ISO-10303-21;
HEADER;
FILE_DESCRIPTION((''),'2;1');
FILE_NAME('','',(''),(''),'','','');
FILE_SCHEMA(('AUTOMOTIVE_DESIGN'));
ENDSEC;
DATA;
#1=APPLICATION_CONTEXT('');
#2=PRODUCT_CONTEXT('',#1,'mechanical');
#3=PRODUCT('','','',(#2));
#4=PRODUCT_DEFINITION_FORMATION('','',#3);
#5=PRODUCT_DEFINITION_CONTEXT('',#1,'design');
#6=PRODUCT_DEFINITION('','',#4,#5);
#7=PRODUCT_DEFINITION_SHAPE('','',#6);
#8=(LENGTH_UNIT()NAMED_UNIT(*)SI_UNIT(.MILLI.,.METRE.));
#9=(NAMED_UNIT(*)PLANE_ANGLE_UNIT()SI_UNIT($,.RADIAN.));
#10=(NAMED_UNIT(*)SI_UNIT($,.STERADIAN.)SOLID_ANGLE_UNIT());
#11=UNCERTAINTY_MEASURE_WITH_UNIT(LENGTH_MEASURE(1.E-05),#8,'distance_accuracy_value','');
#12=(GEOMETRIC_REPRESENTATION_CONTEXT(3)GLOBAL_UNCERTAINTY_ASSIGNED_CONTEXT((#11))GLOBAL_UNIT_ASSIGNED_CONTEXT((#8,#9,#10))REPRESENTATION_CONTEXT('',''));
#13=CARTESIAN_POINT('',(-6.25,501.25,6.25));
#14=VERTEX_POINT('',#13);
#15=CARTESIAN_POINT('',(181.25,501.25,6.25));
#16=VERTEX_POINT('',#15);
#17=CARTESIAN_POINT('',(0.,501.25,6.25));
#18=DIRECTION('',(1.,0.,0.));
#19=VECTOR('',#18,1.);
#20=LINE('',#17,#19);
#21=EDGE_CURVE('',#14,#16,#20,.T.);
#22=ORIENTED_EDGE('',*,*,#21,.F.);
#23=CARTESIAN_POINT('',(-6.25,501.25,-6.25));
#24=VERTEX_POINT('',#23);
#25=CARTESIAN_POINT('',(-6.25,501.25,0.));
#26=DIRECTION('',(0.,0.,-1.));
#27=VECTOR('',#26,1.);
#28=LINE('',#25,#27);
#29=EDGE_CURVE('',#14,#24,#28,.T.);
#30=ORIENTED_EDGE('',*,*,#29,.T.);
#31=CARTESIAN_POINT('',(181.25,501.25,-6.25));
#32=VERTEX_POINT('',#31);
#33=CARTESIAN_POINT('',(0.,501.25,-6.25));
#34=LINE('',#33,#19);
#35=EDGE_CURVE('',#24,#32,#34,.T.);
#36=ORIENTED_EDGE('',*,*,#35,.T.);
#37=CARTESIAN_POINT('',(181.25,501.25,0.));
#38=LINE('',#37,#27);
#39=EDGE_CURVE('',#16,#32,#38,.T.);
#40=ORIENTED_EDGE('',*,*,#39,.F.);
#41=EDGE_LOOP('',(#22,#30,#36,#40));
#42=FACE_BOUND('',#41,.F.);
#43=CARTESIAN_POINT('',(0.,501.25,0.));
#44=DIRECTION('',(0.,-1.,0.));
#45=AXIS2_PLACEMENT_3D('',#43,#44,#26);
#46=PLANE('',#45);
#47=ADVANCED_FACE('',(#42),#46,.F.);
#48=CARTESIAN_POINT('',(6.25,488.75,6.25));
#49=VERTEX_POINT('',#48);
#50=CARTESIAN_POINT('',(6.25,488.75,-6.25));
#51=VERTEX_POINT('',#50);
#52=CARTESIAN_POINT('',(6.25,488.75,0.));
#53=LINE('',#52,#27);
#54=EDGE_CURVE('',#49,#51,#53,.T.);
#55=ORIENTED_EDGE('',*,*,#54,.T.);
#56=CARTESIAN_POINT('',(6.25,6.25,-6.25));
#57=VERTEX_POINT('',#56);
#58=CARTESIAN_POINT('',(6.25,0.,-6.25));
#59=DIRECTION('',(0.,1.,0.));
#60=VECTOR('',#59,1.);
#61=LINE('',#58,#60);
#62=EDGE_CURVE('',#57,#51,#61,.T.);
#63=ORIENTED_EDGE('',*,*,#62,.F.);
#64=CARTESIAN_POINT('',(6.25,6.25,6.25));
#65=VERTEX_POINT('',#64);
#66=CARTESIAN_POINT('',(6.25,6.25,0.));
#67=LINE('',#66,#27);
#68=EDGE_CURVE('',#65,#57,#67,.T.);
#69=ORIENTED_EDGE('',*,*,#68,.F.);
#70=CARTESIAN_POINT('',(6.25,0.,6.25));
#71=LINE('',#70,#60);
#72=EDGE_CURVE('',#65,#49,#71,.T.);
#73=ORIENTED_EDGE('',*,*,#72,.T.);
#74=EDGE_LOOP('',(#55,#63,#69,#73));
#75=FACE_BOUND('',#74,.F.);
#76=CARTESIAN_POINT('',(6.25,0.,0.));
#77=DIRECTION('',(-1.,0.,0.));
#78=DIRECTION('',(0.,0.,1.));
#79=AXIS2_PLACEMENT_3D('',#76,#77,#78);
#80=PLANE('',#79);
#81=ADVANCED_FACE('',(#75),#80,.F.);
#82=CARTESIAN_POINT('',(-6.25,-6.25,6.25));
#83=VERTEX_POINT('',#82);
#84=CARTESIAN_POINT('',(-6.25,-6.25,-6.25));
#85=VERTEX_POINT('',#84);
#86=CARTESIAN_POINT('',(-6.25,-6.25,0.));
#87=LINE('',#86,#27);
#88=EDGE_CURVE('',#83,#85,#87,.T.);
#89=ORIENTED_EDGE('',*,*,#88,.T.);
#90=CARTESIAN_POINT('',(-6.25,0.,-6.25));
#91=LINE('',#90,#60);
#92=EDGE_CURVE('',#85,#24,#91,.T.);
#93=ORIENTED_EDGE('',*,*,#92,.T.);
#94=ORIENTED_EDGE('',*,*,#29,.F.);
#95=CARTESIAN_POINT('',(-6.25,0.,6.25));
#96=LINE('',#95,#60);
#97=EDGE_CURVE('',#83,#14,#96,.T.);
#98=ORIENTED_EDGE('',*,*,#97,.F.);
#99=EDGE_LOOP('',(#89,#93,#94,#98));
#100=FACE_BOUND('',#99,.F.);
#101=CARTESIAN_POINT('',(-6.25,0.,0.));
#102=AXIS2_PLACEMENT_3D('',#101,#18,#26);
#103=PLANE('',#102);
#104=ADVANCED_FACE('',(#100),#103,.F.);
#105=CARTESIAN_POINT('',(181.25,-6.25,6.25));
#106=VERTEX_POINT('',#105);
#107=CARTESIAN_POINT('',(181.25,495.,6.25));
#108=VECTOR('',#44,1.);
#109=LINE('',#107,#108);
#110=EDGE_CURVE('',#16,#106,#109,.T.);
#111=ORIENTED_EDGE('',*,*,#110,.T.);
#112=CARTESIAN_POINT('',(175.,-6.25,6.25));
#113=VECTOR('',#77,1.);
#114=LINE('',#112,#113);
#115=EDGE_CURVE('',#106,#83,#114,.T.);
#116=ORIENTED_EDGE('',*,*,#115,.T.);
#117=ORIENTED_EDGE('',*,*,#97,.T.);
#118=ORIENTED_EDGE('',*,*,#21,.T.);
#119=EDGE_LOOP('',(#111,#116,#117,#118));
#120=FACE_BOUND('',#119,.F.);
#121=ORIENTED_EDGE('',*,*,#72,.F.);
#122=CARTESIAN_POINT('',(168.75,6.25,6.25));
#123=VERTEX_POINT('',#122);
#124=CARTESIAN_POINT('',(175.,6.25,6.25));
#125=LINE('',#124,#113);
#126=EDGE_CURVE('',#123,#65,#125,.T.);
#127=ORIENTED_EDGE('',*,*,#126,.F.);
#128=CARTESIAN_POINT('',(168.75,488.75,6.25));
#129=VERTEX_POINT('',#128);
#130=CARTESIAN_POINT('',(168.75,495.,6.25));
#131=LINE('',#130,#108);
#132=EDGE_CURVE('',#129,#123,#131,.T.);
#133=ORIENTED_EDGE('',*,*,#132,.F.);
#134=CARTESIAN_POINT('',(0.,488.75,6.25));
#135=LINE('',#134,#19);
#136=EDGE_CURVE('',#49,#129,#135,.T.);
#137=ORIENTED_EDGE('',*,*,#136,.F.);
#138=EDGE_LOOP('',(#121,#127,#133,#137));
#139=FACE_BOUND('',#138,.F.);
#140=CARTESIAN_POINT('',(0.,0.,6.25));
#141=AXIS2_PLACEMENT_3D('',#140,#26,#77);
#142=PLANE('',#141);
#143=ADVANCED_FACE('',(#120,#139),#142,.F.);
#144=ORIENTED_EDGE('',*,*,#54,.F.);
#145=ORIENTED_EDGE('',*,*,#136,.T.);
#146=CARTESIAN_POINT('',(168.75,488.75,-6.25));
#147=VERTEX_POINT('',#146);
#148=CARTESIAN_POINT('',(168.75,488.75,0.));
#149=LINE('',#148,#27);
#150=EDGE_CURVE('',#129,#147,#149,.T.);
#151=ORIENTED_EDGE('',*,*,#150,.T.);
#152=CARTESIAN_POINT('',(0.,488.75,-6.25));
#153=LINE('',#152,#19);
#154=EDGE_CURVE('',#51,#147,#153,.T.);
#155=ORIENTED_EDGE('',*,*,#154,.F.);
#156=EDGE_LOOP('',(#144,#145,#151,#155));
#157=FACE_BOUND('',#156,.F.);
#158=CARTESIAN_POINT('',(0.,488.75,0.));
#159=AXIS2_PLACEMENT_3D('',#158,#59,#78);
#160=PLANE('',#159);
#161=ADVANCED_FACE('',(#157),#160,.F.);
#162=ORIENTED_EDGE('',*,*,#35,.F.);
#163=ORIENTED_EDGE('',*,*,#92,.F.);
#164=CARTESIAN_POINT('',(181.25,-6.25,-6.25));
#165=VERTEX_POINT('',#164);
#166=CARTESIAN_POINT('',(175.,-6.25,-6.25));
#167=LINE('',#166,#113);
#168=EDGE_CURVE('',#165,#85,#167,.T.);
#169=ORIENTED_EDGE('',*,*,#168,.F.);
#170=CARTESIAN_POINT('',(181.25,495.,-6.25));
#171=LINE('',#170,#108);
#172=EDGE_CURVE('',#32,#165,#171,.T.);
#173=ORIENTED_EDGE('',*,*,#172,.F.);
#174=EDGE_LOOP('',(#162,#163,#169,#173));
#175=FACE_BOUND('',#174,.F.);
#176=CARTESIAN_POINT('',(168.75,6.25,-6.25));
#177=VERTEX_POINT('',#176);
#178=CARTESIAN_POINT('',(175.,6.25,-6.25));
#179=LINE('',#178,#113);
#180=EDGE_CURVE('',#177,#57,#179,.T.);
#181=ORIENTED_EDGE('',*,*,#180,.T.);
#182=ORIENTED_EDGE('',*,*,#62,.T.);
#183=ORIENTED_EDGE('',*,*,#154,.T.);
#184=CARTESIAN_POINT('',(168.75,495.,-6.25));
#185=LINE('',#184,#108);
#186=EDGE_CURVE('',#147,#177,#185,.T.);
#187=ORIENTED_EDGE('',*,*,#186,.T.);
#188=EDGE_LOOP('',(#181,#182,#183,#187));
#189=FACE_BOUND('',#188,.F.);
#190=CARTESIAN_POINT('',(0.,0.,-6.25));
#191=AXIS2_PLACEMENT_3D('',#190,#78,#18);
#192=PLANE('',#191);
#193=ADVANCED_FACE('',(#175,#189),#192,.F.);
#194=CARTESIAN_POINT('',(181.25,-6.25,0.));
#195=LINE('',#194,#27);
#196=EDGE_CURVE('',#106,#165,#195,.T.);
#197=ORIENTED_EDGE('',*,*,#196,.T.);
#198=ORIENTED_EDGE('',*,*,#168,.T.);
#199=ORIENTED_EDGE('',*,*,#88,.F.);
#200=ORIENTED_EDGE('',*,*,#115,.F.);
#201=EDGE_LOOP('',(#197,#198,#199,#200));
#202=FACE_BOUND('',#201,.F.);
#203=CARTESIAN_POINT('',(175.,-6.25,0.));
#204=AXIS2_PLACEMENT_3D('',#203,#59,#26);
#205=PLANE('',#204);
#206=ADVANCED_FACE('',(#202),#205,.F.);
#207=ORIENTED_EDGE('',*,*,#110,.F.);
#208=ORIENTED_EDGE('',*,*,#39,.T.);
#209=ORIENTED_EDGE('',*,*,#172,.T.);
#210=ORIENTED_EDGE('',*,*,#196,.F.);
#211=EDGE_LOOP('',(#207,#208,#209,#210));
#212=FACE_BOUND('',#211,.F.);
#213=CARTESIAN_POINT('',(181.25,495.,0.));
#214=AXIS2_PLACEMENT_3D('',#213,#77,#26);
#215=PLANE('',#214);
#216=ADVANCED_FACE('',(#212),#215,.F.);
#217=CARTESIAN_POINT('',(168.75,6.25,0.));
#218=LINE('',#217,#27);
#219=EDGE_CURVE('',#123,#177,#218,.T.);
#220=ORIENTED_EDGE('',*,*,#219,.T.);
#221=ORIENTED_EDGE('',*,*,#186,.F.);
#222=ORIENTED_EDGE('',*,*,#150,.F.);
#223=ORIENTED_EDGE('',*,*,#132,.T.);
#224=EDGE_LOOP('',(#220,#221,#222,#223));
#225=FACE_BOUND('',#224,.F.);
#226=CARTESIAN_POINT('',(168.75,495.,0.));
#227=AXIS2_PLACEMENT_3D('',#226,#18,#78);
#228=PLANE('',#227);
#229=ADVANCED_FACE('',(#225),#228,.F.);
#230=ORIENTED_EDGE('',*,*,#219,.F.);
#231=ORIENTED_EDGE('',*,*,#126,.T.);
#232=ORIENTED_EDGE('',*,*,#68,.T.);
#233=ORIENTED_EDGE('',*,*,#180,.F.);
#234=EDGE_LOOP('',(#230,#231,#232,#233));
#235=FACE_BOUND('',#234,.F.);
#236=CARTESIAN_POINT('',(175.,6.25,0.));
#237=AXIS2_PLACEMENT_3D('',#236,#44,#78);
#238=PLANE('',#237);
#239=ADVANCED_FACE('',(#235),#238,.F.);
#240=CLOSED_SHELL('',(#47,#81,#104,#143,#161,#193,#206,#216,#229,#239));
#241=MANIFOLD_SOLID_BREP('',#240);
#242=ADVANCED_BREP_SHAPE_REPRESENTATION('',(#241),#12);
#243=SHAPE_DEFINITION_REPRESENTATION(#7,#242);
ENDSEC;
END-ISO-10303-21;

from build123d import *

# Parameters (mm, degrees)
F1_W = 12.5
F1_H = 12.5


with BuildPart() as f2:
    # F2: sweep along a path in F0
    with BuildLine(Plane.XY) as f2_path:
        Line((0, 0), (0, 495))
        Line((0, 495), (175, 495))
        Line((175, 495), (175, 0))
        Line((175, 0), (0, 0))
    # F1 (on Front) → F2 (sweep)
    with BuildSketch(Plane.XZ):
        Rectangle(F1_W, F1_H)
    sweep(path=f2_path.line, transition=Transition.RIGHT)


solid = f2.part
